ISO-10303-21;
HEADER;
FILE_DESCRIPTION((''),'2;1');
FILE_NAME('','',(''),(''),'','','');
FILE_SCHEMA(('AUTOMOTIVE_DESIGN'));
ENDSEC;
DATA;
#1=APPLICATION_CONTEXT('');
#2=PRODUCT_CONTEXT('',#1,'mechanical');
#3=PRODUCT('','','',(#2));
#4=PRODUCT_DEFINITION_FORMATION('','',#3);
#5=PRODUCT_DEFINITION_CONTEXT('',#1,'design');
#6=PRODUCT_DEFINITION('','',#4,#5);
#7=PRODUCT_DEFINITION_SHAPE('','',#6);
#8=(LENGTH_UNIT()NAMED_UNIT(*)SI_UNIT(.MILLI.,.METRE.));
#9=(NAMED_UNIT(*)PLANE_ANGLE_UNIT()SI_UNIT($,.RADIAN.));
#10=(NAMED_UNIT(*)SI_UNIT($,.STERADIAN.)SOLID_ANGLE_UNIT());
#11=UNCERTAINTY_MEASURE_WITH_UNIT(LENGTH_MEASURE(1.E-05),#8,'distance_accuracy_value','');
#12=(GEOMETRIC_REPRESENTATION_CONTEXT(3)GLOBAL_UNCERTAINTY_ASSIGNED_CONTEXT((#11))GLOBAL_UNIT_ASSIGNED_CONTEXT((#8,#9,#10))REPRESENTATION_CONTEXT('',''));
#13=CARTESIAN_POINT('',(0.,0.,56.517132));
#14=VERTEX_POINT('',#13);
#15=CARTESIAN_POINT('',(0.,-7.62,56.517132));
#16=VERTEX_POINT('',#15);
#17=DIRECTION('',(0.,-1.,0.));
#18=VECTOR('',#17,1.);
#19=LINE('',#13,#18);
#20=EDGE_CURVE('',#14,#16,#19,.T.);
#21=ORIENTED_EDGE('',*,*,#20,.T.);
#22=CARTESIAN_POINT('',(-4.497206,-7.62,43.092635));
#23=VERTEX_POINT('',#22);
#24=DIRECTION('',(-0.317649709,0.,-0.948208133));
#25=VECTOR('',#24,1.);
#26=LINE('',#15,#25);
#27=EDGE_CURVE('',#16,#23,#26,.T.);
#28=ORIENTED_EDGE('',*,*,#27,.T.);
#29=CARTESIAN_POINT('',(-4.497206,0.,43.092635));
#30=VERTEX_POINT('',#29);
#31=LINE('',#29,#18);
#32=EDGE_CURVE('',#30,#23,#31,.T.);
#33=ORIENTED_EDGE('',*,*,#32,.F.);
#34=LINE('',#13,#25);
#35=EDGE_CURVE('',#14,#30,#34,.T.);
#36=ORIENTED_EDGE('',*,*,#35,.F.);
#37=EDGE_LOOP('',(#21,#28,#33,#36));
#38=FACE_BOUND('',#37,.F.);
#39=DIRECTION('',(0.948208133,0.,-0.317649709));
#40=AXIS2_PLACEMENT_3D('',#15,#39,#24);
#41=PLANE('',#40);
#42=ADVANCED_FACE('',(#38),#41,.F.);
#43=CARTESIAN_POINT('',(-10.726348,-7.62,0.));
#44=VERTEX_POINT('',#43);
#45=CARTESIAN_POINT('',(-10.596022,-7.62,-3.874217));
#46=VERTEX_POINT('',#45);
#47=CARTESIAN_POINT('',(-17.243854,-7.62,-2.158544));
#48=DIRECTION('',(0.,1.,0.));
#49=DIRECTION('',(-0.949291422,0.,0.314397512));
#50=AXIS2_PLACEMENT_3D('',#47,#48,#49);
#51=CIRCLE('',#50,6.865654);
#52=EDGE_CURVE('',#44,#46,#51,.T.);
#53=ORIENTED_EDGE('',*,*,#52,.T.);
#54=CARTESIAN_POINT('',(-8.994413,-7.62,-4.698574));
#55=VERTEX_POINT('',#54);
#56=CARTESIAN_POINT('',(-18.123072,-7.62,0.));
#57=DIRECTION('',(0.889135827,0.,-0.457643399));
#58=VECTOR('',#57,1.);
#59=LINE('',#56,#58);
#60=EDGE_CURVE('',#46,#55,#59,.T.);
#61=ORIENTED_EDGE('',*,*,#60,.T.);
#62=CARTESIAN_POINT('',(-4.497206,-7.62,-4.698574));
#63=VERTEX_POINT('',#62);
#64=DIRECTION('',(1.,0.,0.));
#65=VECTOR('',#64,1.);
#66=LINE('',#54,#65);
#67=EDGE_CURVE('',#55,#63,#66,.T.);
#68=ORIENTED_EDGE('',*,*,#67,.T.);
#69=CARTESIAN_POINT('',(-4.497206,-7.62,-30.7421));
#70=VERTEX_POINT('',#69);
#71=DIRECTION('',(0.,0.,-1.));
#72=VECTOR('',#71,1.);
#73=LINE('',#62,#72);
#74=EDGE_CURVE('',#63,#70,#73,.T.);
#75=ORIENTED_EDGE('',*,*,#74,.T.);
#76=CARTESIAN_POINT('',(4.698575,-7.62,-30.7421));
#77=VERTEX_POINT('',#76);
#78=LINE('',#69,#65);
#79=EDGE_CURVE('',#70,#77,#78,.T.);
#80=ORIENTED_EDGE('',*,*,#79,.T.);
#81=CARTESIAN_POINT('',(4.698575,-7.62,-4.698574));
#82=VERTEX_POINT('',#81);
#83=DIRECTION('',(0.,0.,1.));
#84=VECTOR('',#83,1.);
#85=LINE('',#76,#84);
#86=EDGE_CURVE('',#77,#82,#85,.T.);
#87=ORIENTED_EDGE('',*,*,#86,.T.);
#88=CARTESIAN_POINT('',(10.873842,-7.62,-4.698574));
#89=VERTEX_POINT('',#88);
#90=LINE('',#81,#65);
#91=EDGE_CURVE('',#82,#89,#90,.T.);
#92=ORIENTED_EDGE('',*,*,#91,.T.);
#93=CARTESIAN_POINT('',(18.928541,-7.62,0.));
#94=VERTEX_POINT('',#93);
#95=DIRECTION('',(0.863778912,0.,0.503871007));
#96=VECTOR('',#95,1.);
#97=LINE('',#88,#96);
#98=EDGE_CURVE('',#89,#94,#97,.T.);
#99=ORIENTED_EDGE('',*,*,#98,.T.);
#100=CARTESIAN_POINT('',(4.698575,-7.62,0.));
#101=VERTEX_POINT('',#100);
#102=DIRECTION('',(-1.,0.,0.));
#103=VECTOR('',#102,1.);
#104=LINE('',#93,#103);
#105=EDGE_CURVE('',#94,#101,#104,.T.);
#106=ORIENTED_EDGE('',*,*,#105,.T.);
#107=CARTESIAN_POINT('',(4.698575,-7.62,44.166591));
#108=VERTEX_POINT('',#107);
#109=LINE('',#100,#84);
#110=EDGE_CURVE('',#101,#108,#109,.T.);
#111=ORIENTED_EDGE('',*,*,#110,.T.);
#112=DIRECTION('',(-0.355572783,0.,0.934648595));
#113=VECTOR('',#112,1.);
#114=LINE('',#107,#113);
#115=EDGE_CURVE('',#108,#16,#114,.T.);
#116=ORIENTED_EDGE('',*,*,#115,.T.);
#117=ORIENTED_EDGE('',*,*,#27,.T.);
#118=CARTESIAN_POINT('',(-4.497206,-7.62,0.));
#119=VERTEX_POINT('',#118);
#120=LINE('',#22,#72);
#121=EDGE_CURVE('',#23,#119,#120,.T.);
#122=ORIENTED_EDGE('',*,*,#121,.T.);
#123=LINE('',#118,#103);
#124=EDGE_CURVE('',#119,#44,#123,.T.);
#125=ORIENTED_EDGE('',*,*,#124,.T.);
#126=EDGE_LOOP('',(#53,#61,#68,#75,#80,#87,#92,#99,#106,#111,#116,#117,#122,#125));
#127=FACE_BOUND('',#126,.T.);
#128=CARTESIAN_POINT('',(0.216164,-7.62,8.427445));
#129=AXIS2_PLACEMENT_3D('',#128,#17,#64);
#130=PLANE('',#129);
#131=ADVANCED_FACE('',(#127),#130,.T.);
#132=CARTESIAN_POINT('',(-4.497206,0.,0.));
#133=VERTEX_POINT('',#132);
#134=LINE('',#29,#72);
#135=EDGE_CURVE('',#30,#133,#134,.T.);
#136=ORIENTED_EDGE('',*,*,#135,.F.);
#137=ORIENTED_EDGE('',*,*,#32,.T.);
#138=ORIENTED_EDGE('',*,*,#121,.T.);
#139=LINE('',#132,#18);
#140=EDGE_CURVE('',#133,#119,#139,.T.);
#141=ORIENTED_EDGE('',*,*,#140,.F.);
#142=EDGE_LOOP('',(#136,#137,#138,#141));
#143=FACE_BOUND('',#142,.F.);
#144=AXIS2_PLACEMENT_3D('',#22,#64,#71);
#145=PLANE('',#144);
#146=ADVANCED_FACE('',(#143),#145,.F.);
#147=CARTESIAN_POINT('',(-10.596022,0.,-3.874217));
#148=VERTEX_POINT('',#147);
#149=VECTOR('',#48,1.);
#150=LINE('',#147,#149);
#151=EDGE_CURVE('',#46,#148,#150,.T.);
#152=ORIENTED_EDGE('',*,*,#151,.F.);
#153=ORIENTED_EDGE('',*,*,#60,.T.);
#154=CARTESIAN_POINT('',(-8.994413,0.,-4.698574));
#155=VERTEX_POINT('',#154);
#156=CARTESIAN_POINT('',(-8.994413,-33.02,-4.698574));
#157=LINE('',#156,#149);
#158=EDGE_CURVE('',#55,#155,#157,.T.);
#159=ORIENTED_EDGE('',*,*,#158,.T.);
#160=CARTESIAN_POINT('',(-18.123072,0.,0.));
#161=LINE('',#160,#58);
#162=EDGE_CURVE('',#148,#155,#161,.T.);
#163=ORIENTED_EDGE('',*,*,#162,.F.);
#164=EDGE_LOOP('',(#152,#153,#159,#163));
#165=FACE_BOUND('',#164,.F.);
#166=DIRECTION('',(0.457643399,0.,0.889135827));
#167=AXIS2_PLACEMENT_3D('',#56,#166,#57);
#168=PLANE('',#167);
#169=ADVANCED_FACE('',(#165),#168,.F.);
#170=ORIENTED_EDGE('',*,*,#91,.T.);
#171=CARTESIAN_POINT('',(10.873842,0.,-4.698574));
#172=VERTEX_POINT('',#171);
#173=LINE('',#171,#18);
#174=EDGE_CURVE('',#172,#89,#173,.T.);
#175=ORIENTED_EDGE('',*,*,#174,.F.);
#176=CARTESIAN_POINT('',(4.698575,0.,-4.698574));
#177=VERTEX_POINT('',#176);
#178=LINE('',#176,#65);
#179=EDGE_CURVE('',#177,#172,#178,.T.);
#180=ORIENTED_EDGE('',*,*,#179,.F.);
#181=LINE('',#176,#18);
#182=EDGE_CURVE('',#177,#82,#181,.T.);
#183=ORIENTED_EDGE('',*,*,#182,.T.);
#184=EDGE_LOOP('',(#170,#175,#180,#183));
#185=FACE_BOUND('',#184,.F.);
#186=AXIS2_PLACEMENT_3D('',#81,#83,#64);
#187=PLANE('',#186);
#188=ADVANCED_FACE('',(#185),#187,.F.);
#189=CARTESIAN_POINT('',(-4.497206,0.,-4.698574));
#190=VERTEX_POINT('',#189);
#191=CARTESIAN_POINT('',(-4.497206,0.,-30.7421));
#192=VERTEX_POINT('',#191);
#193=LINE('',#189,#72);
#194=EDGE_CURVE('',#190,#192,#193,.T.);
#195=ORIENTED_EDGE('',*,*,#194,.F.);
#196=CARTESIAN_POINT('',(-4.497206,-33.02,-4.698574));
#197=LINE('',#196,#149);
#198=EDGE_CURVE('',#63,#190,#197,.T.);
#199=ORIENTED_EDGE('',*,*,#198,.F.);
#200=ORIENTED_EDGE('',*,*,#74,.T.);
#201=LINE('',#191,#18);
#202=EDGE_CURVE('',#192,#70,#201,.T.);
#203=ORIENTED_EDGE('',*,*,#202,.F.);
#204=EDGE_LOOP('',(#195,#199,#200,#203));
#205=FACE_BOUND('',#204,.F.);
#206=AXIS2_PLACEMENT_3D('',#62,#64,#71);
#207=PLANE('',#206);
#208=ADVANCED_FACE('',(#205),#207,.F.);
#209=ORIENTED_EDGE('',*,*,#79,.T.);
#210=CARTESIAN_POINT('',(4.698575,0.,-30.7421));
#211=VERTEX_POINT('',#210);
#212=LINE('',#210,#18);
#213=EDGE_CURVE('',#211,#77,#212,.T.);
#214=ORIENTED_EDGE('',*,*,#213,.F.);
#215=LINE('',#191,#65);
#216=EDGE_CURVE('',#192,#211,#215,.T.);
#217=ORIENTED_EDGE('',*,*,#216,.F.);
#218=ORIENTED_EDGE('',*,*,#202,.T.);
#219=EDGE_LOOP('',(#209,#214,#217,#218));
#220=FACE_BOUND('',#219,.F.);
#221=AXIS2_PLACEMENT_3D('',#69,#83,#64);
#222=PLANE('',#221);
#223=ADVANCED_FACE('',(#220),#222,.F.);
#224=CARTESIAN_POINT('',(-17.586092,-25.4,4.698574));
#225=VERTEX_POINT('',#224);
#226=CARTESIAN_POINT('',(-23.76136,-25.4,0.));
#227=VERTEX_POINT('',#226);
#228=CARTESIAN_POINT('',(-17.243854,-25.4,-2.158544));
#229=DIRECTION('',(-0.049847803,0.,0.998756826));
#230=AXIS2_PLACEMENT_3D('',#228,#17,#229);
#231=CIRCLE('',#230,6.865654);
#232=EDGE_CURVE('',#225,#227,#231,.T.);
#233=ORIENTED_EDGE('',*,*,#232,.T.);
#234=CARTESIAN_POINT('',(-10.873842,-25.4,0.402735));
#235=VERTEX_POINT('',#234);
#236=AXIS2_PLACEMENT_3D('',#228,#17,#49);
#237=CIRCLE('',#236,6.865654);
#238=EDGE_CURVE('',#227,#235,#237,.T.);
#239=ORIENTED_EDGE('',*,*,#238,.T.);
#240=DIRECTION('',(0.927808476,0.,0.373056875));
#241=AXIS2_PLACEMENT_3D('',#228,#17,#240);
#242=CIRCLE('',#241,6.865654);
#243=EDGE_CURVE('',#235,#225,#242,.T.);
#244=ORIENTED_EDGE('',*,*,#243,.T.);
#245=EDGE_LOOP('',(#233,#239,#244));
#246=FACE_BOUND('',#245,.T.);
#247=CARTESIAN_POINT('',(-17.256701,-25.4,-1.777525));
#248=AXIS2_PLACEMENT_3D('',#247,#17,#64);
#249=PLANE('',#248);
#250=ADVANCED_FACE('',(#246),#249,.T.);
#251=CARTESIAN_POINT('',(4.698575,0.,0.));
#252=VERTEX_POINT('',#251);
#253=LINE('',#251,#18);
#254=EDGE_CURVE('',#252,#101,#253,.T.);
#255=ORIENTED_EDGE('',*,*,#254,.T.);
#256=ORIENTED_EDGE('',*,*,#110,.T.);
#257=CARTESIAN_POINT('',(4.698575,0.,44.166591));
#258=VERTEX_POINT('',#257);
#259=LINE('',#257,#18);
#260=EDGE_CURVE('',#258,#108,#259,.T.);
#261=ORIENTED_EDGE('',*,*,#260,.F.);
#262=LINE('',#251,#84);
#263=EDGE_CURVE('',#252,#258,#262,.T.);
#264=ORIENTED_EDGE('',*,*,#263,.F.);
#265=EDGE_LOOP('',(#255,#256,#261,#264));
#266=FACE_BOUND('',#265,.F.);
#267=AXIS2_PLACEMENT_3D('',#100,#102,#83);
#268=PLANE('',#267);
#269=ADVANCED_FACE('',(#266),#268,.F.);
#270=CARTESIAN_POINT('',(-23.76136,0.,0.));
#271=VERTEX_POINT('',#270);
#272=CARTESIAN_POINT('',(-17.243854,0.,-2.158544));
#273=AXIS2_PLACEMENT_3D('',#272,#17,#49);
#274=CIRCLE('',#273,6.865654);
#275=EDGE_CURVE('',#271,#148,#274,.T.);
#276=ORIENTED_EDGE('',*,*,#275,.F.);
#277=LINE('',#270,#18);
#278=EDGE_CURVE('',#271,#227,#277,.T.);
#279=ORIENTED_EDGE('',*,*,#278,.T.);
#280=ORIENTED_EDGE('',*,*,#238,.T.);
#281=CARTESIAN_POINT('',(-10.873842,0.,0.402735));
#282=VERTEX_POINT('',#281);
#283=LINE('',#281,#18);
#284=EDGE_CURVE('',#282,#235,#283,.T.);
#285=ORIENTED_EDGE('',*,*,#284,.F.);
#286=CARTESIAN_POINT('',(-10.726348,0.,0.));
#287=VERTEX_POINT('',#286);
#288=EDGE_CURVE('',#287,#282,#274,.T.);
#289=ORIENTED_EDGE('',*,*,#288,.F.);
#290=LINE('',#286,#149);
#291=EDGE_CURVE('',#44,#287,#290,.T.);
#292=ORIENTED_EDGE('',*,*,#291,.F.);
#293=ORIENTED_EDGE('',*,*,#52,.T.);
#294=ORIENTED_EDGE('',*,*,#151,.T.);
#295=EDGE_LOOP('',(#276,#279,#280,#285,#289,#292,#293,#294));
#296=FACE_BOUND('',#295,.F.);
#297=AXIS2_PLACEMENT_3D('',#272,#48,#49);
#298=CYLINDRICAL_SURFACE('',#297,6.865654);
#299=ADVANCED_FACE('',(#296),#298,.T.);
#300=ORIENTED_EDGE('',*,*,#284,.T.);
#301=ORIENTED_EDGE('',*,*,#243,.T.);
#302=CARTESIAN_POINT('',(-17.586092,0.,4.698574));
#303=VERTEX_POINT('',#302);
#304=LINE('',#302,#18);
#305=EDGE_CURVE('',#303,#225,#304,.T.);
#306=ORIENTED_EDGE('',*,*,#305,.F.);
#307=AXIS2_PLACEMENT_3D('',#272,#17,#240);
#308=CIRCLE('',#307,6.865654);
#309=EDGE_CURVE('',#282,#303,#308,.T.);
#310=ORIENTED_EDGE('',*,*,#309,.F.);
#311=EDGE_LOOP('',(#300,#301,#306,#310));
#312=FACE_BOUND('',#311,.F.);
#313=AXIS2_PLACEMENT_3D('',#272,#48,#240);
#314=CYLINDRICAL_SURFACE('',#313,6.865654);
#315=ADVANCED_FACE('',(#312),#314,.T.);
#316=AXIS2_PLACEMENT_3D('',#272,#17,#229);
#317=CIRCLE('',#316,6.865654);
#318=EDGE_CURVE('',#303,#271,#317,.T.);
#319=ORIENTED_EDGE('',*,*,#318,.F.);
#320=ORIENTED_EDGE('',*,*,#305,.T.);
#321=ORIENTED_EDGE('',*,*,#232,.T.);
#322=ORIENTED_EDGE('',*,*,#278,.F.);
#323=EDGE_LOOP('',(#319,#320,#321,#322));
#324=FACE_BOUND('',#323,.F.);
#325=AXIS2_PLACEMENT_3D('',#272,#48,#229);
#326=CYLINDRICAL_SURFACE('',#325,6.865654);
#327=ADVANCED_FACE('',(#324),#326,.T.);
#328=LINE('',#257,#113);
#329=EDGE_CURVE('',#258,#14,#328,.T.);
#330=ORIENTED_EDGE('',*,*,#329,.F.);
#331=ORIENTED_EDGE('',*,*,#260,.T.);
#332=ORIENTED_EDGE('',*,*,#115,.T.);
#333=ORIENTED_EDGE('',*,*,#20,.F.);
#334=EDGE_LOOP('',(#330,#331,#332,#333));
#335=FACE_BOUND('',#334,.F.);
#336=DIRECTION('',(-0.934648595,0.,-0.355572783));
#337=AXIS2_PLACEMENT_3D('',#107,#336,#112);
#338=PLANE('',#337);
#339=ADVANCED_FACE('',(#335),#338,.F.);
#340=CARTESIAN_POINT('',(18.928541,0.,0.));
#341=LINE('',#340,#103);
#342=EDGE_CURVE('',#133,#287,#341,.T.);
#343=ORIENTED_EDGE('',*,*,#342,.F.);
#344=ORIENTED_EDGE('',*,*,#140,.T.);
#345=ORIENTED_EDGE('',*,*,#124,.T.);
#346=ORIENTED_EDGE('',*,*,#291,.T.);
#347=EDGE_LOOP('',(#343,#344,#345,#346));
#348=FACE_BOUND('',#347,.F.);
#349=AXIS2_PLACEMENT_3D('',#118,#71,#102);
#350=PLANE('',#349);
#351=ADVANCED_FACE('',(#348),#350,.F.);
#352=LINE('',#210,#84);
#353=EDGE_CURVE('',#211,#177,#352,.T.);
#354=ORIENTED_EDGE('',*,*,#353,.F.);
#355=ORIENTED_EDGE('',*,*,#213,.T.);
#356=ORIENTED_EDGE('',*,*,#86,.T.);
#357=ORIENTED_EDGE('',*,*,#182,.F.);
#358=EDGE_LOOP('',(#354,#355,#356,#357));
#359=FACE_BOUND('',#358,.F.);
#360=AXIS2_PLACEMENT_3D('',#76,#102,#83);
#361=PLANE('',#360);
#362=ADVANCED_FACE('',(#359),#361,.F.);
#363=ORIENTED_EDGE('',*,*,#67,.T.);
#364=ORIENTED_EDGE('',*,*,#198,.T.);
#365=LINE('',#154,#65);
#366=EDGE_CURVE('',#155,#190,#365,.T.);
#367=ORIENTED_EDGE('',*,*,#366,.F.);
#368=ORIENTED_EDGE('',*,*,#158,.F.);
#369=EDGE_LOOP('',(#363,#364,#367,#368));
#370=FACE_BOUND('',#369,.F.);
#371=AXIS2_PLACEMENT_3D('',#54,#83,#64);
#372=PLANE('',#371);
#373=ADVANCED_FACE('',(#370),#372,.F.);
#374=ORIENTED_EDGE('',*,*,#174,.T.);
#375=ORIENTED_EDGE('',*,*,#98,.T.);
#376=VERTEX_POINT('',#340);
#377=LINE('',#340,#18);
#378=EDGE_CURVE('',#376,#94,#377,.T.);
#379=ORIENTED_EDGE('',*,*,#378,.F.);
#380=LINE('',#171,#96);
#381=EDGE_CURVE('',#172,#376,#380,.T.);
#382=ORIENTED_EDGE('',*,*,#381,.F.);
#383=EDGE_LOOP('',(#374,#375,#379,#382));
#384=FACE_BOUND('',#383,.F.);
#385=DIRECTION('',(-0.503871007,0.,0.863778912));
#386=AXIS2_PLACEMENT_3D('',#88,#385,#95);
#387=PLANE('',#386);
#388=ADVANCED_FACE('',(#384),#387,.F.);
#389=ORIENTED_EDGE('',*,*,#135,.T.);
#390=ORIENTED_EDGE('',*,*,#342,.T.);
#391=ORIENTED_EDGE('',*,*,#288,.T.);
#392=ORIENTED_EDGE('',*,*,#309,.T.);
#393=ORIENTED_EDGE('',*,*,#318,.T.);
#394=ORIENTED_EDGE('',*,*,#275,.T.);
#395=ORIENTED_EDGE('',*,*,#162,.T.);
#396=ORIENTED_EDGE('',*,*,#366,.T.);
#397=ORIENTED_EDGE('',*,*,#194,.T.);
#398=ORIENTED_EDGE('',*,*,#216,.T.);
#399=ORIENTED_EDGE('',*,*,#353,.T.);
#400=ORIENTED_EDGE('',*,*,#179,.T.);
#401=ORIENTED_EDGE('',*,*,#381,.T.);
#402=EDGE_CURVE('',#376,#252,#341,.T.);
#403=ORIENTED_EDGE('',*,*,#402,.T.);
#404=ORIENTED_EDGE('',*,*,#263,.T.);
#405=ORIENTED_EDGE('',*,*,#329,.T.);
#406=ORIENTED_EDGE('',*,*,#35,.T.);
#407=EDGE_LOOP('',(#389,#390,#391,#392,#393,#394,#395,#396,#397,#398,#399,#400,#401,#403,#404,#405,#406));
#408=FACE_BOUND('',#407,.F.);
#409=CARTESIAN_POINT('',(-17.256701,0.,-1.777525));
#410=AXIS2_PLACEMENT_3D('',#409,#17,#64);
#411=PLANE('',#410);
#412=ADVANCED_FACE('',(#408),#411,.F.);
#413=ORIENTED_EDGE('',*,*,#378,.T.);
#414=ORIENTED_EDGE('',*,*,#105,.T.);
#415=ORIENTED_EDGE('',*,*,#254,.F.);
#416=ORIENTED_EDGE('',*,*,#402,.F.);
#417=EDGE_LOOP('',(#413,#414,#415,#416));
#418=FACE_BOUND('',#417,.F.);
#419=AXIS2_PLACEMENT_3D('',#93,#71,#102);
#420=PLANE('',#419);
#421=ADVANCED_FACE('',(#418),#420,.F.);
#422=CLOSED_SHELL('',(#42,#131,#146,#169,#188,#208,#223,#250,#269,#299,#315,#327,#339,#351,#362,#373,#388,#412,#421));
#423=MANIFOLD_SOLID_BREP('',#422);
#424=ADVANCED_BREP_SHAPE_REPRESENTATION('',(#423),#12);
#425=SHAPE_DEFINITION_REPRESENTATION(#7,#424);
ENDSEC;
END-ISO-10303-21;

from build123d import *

# Parameters (mm, degrees)
F1_DEPTH = 7.62
F2_DEPTH = 25.4
F4_DEPTH = 25.4
F6_DEPTH = 25.4


with BuildPart() as f1:
    # F0 (on Front) → F1 (new body)
    with BuildSketch(Plane.XZ):
        Polygon((0, -4.6985740773), (0, 0), (-4.4972063042, 0), (-18.1230716407, 0), align=None)
        Polygon((4.698574543, 0), (0, 0), (0, -4.6985740773), (4.698574543, -4.6985740773), (18.9285408705, 0), (10.8738420531, 0), align=None)
        Polygon((-4.4972063042, 0), (0, 0), (4.698574543, 0), (4.698574543, 44.1665910184), (0, 56.5171316266), (-4.4972063042, 43.0926345289), (-4.4972063042, 26.4462586492), align=None)
        with BuildLine():
            Line((4.698574543, -4.6985740773), (0, -4.6985740773))
            Line((0, -4.6985740773), (-4.4972063042, -4.6985740773))
            Line((-4.4972063042, -4.6985740773), (-4.4972063042, -7.9204533249))
            add(Edge.make_bspline(
                [(-4.4972063042, -7.9204533249), (-3.0188959312, -8.9298356018), (-0.076765682, -10.9387061232), (3.1120295895, -9.4610912419), (4.698574543, -8.7259225547)],
                knots=[0, 0, 0, 0, 0.5024625859, 1, 1, 1, 1], degree=3))
            Line((4.698574543, -8.7259225547), (4.698574543, -4.6985740773))
        make_face()
        Polygon((-4.4972063042, -4.6985740773), (0, -4.6985740773), (-18.1230716407, 0), (-8.9944126084, -4.6985740773), align=None)
        Polygon((18.9285408705, 0), (4.698574543, -4.6985740773), (10.8738420531, -4.6985740773), align=None)
        with BuildLine():
            add(Edge.make_bspline(
                [(-4.4972063042, -7.9204533249), (-3.0188959312, -8.9298356018), (-0.076765682, -10.9387061232), (3.1120295895, -9.4610912419), (4.698574543, -8.7259225547)],
                knots=[0, 0, 0, 0, 0.5024625859, 1, 1, 1, 1], degree=3))
            Line((-4.4972063042, -7.9204533249), (-4.4972063042, -12.2162923217))
            add(Edge.make_bspline(
                [(-4.4972063042, -12.2162923217), (-3.0081701645, -13.4176450734), (-0.0043271069, -15.841142413), (3.1220001254, -13.4314667708), (4.698574543, -12.2162923217)],
                knots=[0, 0, 0, 0, 0.4957103654, 1, 1, 1, 1], degree=3))
            Line((4.698574543, -12.2162923217), (4.698574543, -8.7259225547))
        make_face()
        with BuildLine():
            add(Edge.make_bspline(
                [(-4.4972063042, -12.2162923217), (-3.0081701645, -13.4176450734), (-0.0043271069, -15.841142413), (3.1220001254, -13.4314667708), (4.698574543, -12.2162923217)],
                knots=[0, 0, 0, 0, 0.4957103654, 1, 1, 1, 1], degree=3))
            Line((-4.4972063042, -12.2162923217), (-4.4972063042, -17.720336793))
            add(Edge.make_bspline(
                [(-4.4972063042, -17.720336793), (-3.009588296, -19.5245403943), (-0.0141265995, -23.1574775803), (3.1206187826, -19.5408569928), (4.698574543, -17.720336793)],
                knots=[0, 0, 0, 0, 0.4966239461, 1, 1, 1, 1], degree=3))
            Line((4.698574543, -17.720336793), (4.698574543, -12.2162923217))
        make_face()
        with BuildLine():
            add(Edge.make_bspline(
                [(-4.4972063042, -17.720336793), (-3.009588296, -19.5245403943), (-0.0141265995, -23.1574775803), (3.1206187826, -19.5408569928), (4.698574543, -17.720336793)],
                knots=[0, 0, 0, 0, 0.4966239461, 1, 1, 1, 1], degree=3))
            Line((-4.4972063042, -17.720336793), (-4.4972063042, -24.8353201896))
            add(Edge.make_bspline(
                [(-4.4972063042, -24.8353201896), (-3.0004006611, -25.540556717), (0.0506661056, -26.9781005566), (3.1299428272, -25.2027364557), (4.698574543, -24.2983382195)],
                knots=[0, 0, 0, 0, 0.490584362, 1, 1, 1, 1], degree=3))
            Line((4.698574543, -24.2983382195), (4.698574543, -17.720336793))
        make_face()
        with BuildLine():
            add(Edge.make_bspline(
                [(-4.4972063042, -24.8353201896), (-3.0004006611, -25.540556717), (0.0506661056, -26.9781005566), (3.1299428272, -25.2027364557), (4.698574543, -24.2983382195)],
                knots=[0, 0, 0, 0, 0.490584362, 1, 1, 1, 1], degree=3))
            Line((-4.4972063042, -24.8353201896), (-4.4972063042, -30.7420995086))
            Line((-4.4972063042, -30.7420995086), (0, -30.7420995086))
            Line((0, -30.7420995086), (4.698574543, -30.7420995086))
            Line((4.698574543, -30.7420995086), (4.698574543, -24.2983382195))
        make_face()
    extrude(amount=F1_DEPTH)

    # F2 (add): a face of the model
    f2_faces = [f1.faces().sort_by_distance(p)[0] for p in [
        (0.1945490667, -7.62, 8.4784905135),
    ]]
    extrude(f2_faces, amount=F2_DEPTH)

    # F3 (on face) → F4 (cut)
    with BuildSketch(Plane.XZ.offset(33.02)):
        Polygon((-8.9944126084, -4.6985740773), (-4.4972063042, -4.6985740773), (-4.4972063042, -30.7420995086), (4.698574543, -30.7420995086), (4.698574543, -4.6985740773), (10.8738420531, -4.6985740773), (18.9285408705, 0), (4.698574543, 0), (4.698574543, 44.1665910184), (0, 56.5171316266), (-4.4972063042, 43.0926345289), (-4.4972063042, 0), (-18.1230716407, 0), align=None)
    extrude(amount=-F4_DEPTH, mode=Mode.SUBTRACT)

    # F5 (on Front) → F6 (join)
    with BuildSketch(Plane.XZ):
        with BuildLine():
            ThreePointArc((-17.5860915333, 4.6985740773), (-21.4011571542, 3.3053396825), (-23.7613599747, 0))
            ThreePointArc((-23.7613599747, 0), (-17.0294068149, -9.0208482643), (-10.8738420531, 0.4027348768))
            ThreePointArc((-10.8738420531, 0.4027348768), (-13.5428980412, 3.6241995188), (-17.5860915333, 4.6985740773))
        make_face()
    extrude(amount=F6_DEPTH)


solid = f1.part
